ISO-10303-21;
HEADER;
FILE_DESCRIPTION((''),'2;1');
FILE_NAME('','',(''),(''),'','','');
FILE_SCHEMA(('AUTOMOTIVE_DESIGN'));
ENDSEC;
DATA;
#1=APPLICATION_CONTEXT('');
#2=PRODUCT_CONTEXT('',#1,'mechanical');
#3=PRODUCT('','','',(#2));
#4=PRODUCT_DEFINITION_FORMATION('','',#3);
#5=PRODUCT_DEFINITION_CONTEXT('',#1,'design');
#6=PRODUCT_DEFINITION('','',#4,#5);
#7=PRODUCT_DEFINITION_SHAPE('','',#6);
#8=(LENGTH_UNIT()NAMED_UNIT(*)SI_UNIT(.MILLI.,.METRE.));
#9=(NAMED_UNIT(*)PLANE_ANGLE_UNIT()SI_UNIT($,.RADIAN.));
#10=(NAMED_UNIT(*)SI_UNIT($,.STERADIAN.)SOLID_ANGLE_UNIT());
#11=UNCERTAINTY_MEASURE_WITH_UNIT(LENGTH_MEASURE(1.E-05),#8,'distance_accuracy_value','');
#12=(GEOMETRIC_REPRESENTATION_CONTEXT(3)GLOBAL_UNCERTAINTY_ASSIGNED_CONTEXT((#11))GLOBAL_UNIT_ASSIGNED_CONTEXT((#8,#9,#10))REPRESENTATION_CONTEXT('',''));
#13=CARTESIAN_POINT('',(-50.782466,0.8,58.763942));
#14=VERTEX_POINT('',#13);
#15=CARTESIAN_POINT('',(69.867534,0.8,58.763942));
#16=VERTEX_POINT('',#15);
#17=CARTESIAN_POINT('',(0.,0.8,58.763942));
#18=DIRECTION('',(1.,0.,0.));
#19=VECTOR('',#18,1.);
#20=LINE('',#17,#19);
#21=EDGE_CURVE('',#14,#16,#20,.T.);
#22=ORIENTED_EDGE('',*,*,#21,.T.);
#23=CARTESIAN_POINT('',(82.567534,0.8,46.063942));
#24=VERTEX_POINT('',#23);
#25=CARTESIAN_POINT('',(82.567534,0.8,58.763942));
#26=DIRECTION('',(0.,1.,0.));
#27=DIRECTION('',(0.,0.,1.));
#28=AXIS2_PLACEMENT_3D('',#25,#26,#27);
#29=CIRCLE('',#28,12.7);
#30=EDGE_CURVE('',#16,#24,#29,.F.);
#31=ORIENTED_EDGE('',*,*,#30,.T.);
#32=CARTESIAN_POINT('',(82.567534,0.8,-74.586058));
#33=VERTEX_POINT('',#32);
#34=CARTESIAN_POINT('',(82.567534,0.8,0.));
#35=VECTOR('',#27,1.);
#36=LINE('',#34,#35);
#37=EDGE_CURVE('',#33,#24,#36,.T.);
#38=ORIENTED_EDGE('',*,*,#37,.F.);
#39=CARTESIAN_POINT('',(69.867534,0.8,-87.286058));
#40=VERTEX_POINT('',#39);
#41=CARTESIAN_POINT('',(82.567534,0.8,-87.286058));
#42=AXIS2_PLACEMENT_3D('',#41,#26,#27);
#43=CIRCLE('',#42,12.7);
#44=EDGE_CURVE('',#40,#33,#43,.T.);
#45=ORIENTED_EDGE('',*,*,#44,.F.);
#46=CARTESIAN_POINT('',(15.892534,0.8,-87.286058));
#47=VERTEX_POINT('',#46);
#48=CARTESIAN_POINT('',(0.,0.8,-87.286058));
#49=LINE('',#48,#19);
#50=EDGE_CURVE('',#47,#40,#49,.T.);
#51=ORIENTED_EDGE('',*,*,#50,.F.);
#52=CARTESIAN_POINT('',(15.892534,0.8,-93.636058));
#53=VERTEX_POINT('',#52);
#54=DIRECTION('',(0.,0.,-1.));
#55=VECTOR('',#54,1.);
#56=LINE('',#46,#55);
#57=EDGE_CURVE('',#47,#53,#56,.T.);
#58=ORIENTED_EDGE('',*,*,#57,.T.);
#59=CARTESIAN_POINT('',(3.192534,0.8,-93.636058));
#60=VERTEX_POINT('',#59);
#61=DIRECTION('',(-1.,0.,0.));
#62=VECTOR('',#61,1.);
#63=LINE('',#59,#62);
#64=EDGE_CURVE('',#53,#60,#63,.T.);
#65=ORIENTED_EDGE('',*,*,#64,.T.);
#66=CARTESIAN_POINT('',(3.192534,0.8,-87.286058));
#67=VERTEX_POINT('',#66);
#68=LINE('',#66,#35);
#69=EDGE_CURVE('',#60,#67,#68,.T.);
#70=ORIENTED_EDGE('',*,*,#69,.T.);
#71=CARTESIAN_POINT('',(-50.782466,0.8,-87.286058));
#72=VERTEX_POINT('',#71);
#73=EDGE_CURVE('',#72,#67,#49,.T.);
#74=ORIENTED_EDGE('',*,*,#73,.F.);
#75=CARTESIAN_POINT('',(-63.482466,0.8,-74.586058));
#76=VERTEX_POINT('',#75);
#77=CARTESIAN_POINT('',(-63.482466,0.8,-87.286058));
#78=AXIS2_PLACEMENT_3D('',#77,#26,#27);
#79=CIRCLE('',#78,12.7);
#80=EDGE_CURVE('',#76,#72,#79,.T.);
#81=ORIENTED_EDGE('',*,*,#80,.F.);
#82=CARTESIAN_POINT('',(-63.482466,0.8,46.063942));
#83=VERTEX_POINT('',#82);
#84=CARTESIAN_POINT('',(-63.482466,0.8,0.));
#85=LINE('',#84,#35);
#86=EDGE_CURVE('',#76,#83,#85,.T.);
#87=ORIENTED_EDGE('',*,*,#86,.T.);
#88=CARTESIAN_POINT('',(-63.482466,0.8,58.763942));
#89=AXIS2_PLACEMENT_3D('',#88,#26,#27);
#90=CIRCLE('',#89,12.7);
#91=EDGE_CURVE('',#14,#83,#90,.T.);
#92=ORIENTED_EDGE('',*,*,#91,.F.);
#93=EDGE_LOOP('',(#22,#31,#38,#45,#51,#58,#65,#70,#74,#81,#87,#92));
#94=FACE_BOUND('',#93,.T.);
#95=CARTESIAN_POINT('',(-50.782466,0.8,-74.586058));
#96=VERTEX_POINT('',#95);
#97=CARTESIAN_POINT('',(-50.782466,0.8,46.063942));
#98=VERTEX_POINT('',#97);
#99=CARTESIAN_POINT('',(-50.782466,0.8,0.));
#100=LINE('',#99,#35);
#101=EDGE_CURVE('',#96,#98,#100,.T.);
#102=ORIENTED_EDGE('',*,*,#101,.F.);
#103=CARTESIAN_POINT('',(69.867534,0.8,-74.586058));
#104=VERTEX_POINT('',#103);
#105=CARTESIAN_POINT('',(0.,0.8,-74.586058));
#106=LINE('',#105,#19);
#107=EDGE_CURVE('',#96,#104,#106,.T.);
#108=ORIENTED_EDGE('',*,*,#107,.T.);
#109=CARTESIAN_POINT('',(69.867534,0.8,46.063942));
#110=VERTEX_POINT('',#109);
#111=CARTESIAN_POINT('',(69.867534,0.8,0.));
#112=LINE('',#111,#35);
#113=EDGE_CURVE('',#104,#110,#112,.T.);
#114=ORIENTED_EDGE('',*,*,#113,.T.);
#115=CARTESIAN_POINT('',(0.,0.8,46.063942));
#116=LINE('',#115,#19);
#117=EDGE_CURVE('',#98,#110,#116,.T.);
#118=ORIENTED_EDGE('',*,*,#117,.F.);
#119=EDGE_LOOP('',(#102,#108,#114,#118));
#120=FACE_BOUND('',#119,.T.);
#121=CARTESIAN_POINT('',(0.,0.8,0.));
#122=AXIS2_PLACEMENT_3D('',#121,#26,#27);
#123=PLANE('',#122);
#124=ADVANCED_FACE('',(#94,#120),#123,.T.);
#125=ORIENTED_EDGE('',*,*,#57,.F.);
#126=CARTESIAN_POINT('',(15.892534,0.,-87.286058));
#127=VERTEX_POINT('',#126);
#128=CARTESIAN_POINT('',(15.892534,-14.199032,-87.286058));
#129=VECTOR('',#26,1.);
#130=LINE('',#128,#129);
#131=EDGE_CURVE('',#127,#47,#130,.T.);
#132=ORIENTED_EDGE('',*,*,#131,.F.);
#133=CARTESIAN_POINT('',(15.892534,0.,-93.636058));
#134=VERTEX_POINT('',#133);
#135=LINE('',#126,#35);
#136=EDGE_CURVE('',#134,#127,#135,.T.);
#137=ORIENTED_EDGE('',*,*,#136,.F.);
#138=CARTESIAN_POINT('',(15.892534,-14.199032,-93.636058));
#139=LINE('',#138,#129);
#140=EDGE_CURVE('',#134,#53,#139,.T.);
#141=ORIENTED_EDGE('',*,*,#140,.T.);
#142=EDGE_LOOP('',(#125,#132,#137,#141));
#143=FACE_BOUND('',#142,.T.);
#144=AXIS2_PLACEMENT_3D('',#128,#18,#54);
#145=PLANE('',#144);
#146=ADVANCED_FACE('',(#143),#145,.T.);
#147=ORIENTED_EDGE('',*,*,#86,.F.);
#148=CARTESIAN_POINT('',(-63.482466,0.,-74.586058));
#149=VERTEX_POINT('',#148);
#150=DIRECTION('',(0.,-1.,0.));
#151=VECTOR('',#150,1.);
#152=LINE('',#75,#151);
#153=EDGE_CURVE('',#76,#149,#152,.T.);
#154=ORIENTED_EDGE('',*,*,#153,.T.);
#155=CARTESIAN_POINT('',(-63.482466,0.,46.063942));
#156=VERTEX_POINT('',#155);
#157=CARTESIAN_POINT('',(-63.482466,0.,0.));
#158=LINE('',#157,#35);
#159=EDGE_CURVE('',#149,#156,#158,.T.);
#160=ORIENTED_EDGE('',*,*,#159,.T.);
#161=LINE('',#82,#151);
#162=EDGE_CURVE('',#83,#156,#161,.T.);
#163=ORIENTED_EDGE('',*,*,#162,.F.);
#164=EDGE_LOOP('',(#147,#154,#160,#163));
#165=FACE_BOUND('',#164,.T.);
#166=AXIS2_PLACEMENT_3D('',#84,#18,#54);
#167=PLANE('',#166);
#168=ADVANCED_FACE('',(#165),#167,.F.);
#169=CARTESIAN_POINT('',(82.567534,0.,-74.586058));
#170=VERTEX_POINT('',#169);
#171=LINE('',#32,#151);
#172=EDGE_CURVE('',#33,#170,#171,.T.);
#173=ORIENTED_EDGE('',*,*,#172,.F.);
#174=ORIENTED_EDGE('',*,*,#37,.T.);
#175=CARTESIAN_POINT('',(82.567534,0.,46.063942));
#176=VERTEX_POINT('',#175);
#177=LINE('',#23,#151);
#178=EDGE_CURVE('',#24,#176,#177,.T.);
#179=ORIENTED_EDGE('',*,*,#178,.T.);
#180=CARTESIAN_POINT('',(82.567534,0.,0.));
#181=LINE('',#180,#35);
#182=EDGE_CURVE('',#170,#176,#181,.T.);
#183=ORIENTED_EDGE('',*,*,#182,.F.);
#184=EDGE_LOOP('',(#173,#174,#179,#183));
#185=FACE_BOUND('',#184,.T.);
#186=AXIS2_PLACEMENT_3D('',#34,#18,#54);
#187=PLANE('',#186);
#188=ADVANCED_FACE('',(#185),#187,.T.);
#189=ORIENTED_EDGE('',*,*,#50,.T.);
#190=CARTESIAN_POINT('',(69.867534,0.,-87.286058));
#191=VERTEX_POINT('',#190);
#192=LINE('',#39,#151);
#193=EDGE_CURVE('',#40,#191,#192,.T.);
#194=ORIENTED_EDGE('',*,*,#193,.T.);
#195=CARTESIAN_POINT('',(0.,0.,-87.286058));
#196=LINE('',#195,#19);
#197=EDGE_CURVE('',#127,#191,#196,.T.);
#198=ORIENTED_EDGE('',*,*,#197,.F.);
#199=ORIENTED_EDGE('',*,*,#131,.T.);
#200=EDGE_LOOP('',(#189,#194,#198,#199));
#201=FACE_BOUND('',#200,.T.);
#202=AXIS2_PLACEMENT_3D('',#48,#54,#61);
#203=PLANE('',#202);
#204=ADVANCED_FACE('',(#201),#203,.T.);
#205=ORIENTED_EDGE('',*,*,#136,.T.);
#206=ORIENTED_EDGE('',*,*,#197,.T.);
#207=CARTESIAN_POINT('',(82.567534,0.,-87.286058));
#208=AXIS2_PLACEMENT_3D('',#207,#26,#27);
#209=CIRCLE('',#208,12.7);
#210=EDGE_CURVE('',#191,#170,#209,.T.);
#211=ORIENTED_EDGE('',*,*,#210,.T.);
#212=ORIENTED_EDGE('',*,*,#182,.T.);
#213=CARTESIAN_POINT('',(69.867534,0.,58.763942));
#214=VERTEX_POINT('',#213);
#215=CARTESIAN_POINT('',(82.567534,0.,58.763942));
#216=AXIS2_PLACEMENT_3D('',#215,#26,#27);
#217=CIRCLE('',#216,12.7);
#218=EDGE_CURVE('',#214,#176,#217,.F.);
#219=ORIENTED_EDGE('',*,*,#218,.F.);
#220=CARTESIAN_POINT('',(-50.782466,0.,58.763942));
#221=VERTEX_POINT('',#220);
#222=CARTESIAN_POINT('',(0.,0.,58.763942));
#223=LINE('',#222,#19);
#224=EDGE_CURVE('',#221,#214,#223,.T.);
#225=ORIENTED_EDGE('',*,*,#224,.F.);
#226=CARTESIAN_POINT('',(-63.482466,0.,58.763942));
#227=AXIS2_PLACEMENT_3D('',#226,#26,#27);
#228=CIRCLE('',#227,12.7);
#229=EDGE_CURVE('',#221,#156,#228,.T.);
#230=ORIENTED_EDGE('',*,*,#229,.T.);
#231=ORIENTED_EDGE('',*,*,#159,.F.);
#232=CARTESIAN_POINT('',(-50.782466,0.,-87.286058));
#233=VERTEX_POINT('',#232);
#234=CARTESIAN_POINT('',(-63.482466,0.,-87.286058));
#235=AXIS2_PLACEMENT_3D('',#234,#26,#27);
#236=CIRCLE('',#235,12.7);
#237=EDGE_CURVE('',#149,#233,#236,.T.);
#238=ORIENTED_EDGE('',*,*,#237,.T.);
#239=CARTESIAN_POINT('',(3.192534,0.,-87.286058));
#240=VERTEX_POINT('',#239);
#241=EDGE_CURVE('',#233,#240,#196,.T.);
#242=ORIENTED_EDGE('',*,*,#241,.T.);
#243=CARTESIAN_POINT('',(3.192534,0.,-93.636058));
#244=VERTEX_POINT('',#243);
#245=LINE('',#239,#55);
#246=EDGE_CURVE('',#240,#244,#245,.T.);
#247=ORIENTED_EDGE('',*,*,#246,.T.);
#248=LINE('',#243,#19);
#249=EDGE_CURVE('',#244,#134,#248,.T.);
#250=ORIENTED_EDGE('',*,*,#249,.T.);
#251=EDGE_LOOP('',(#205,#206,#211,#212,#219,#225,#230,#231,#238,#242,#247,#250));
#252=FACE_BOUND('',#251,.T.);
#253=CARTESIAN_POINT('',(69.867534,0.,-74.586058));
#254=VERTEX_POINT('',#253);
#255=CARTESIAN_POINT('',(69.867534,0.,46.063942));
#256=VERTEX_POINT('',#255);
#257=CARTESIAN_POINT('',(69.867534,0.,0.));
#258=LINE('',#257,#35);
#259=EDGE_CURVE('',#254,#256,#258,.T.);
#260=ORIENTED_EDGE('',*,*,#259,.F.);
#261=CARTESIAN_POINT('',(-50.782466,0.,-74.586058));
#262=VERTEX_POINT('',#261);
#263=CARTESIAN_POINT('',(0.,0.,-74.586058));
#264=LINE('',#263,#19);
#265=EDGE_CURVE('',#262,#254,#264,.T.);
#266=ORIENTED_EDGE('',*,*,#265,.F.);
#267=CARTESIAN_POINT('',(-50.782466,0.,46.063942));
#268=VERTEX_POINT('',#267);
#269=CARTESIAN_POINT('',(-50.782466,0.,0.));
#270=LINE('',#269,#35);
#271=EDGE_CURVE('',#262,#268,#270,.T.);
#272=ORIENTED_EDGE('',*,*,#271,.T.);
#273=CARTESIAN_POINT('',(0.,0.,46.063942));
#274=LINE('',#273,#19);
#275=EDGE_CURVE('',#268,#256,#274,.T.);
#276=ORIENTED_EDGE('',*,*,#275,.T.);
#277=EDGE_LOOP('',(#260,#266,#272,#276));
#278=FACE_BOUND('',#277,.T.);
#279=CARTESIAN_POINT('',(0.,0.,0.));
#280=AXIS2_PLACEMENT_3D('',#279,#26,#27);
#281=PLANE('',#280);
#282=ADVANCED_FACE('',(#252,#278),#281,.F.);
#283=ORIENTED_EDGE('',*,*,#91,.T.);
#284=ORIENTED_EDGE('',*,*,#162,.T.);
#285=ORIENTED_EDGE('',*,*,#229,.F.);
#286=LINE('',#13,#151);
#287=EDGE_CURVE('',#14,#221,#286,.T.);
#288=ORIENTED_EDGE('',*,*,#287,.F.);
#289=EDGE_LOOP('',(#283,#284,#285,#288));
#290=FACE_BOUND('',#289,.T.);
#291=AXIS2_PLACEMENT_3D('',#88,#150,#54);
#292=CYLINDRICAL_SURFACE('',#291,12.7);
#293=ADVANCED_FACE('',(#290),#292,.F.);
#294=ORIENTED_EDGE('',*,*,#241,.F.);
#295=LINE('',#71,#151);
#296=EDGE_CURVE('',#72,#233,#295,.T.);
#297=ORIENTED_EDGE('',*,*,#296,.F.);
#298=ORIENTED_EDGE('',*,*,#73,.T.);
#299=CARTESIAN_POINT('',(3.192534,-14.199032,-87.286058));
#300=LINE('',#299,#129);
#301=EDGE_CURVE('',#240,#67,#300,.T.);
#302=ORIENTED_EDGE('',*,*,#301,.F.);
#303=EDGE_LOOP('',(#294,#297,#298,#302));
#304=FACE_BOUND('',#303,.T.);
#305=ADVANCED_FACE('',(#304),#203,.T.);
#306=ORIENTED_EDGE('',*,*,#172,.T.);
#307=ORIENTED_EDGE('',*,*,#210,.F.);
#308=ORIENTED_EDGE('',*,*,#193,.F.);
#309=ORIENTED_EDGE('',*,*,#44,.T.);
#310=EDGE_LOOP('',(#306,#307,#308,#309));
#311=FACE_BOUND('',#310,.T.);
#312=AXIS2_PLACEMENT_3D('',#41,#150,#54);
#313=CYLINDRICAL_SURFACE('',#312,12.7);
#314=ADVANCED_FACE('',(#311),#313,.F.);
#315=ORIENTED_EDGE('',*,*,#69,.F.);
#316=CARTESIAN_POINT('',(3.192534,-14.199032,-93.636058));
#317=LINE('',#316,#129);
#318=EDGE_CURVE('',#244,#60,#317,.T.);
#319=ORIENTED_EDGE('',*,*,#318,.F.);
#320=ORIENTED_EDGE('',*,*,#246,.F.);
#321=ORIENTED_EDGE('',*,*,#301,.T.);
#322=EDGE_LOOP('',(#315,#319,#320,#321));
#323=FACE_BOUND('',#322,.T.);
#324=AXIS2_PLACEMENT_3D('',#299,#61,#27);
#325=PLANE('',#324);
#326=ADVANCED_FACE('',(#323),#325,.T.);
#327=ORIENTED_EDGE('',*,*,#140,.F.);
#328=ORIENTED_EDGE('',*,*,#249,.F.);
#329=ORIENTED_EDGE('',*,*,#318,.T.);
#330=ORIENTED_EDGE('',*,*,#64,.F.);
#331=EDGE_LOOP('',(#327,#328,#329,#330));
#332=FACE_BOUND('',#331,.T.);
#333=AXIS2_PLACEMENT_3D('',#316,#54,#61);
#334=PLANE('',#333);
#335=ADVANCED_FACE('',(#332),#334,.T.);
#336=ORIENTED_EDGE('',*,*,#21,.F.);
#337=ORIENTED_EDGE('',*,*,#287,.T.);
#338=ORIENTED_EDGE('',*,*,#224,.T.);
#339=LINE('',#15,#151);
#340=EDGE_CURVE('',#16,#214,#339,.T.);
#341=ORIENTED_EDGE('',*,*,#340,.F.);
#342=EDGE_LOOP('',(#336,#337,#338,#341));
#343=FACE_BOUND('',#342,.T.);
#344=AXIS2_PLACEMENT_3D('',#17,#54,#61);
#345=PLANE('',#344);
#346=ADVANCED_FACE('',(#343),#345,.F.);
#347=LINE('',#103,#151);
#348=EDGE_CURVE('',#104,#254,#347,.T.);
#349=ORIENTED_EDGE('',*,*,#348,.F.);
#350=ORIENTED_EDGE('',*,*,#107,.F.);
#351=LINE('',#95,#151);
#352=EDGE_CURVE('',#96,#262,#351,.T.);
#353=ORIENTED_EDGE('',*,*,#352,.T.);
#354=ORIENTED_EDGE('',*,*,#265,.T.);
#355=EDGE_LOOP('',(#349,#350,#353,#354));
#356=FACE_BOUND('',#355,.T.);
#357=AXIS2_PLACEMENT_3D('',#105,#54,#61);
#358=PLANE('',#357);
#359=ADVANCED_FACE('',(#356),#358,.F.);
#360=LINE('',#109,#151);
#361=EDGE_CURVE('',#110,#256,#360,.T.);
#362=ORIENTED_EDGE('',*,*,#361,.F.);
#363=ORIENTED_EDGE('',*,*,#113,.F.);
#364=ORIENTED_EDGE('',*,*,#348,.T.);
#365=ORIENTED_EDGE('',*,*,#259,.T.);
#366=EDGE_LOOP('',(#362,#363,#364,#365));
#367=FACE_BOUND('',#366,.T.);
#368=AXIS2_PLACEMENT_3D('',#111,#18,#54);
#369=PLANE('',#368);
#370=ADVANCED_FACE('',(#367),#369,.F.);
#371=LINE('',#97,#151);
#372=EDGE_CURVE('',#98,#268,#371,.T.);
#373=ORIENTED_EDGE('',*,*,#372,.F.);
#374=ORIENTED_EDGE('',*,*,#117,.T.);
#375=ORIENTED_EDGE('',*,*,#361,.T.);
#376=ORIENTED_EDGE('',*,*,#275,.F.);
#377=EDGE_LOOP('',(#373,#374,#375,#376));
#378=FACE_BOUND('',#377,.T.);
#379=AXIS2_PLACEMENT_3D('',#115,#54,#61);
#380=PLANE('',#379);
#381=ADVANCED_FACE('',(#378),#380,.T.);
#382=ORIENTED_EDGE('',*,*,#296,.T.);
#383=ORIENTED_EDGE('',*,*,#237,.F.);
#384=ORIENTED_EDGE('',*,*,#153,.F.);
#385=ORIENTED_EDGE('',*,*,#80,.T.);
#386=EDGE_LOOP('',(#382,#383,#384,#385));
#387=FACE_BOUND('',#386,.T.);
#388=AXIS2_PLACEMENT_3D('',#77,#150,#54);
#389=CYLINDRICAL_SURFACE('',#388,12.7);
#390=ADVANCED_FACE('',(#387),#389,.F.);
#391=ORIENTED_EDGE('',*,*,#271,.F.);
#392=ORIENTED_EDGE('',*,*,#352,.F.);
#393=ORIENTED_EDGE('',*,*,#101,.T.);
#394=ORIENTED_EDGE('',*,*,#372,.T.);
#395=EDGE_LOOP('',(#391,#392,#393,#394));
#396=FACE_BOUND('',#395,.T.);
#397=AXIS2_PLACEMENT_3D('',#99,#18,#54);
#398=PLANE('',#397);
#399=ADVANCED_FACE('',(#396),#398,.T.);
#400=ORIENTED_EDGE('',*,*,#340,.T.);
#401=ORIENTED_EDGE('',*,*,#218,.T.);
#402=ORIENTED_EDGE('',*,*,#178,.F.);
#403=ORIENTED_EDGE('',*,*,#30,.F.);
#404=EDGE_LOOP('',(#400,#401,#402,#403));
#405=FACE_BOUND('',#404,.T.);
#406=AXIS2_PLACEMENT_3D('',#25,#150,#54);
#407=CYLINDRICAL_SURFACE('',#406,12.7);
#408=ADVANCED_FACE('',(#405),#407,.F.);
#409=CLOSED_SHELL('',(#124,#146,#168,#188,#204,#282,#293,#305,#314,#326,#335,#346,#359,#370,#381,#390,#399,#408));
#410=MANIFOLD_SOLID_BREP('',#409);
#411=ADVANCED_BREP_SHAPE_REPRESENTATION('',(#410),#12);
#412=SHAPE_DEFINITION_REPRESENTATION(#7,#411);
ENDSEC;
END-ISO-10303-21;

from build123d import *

# Parameters (mm, degrees)
SKETCH1_W           = 120.65
SKETCH1_H           = 120.65
BOSS_EXTRUDE1_DEPTH = 0.8
SKETCH2_W           = 12.7
SKETCH2_H           = 6.35
BOSS_EXTRUDE2_DEPTH = 0.8


with BuildPart() as part:
    # Sketch1 → Boss-Extrude1 (new body)
    with BuildSketch(Plane(origin=(0, 0, 0), x_dir=(1, 0, 0), z_dir=(0, 1, 0))):
        with BuildLine():
            Line((69.867533733, 87.286057649), (-50.782466267, 87.286057649))
            ThreePointArc((-50.782466267, 87.286057649), (-54.502210146, 78.305801528), (-63.482466267, 74.586057649))
            Line((-63.482466267, 74.586057649), (-63.482466267, -46.063942351))
            ThreePointArc((-63.482466267, -46.063942351), (-54.502210146, -49.78368623), (-50.782466267, -58.763942351))
            Line((-50.782466267, -58.763942351), (69.867533733, -58.763942351))
            ThreePointArc((69.867533733, -58.763942351), (73.587277612, -49.78368623), (82.567533733, -46.063942351))
            Line((82.567533733, -46.063942351), (82.567533733, 74.586057649))
            ThreePointArc((82.567533733, 74.586057649), (73.587277612, 78.305801528), (69.867533733, 87.286057649))
        make_face()
        with Locations((9.542533733, 14.261057649)):
            Rectangle(SKETCH1_W, SKETCH1_H, mode=Mode.SUBTRACT)
    extrude(amount=BOSS_EXTRUDE1_DEPTH)

    # Sketch2 → Boss-Extrude2 (add)
    with BuildSketch(Plane(origin=(0, 0.8, 0), x_dir=(1, 0, 0), z_dir=(0, 1, 0))):
        with Locations((9.542533733, 90.461057649)):
            Rectangle(SKETCH2_W, SKETCH2_H)
    extrude(amount=-BOSS_EXTRUDE2_DEPTH)


solid = part.part
